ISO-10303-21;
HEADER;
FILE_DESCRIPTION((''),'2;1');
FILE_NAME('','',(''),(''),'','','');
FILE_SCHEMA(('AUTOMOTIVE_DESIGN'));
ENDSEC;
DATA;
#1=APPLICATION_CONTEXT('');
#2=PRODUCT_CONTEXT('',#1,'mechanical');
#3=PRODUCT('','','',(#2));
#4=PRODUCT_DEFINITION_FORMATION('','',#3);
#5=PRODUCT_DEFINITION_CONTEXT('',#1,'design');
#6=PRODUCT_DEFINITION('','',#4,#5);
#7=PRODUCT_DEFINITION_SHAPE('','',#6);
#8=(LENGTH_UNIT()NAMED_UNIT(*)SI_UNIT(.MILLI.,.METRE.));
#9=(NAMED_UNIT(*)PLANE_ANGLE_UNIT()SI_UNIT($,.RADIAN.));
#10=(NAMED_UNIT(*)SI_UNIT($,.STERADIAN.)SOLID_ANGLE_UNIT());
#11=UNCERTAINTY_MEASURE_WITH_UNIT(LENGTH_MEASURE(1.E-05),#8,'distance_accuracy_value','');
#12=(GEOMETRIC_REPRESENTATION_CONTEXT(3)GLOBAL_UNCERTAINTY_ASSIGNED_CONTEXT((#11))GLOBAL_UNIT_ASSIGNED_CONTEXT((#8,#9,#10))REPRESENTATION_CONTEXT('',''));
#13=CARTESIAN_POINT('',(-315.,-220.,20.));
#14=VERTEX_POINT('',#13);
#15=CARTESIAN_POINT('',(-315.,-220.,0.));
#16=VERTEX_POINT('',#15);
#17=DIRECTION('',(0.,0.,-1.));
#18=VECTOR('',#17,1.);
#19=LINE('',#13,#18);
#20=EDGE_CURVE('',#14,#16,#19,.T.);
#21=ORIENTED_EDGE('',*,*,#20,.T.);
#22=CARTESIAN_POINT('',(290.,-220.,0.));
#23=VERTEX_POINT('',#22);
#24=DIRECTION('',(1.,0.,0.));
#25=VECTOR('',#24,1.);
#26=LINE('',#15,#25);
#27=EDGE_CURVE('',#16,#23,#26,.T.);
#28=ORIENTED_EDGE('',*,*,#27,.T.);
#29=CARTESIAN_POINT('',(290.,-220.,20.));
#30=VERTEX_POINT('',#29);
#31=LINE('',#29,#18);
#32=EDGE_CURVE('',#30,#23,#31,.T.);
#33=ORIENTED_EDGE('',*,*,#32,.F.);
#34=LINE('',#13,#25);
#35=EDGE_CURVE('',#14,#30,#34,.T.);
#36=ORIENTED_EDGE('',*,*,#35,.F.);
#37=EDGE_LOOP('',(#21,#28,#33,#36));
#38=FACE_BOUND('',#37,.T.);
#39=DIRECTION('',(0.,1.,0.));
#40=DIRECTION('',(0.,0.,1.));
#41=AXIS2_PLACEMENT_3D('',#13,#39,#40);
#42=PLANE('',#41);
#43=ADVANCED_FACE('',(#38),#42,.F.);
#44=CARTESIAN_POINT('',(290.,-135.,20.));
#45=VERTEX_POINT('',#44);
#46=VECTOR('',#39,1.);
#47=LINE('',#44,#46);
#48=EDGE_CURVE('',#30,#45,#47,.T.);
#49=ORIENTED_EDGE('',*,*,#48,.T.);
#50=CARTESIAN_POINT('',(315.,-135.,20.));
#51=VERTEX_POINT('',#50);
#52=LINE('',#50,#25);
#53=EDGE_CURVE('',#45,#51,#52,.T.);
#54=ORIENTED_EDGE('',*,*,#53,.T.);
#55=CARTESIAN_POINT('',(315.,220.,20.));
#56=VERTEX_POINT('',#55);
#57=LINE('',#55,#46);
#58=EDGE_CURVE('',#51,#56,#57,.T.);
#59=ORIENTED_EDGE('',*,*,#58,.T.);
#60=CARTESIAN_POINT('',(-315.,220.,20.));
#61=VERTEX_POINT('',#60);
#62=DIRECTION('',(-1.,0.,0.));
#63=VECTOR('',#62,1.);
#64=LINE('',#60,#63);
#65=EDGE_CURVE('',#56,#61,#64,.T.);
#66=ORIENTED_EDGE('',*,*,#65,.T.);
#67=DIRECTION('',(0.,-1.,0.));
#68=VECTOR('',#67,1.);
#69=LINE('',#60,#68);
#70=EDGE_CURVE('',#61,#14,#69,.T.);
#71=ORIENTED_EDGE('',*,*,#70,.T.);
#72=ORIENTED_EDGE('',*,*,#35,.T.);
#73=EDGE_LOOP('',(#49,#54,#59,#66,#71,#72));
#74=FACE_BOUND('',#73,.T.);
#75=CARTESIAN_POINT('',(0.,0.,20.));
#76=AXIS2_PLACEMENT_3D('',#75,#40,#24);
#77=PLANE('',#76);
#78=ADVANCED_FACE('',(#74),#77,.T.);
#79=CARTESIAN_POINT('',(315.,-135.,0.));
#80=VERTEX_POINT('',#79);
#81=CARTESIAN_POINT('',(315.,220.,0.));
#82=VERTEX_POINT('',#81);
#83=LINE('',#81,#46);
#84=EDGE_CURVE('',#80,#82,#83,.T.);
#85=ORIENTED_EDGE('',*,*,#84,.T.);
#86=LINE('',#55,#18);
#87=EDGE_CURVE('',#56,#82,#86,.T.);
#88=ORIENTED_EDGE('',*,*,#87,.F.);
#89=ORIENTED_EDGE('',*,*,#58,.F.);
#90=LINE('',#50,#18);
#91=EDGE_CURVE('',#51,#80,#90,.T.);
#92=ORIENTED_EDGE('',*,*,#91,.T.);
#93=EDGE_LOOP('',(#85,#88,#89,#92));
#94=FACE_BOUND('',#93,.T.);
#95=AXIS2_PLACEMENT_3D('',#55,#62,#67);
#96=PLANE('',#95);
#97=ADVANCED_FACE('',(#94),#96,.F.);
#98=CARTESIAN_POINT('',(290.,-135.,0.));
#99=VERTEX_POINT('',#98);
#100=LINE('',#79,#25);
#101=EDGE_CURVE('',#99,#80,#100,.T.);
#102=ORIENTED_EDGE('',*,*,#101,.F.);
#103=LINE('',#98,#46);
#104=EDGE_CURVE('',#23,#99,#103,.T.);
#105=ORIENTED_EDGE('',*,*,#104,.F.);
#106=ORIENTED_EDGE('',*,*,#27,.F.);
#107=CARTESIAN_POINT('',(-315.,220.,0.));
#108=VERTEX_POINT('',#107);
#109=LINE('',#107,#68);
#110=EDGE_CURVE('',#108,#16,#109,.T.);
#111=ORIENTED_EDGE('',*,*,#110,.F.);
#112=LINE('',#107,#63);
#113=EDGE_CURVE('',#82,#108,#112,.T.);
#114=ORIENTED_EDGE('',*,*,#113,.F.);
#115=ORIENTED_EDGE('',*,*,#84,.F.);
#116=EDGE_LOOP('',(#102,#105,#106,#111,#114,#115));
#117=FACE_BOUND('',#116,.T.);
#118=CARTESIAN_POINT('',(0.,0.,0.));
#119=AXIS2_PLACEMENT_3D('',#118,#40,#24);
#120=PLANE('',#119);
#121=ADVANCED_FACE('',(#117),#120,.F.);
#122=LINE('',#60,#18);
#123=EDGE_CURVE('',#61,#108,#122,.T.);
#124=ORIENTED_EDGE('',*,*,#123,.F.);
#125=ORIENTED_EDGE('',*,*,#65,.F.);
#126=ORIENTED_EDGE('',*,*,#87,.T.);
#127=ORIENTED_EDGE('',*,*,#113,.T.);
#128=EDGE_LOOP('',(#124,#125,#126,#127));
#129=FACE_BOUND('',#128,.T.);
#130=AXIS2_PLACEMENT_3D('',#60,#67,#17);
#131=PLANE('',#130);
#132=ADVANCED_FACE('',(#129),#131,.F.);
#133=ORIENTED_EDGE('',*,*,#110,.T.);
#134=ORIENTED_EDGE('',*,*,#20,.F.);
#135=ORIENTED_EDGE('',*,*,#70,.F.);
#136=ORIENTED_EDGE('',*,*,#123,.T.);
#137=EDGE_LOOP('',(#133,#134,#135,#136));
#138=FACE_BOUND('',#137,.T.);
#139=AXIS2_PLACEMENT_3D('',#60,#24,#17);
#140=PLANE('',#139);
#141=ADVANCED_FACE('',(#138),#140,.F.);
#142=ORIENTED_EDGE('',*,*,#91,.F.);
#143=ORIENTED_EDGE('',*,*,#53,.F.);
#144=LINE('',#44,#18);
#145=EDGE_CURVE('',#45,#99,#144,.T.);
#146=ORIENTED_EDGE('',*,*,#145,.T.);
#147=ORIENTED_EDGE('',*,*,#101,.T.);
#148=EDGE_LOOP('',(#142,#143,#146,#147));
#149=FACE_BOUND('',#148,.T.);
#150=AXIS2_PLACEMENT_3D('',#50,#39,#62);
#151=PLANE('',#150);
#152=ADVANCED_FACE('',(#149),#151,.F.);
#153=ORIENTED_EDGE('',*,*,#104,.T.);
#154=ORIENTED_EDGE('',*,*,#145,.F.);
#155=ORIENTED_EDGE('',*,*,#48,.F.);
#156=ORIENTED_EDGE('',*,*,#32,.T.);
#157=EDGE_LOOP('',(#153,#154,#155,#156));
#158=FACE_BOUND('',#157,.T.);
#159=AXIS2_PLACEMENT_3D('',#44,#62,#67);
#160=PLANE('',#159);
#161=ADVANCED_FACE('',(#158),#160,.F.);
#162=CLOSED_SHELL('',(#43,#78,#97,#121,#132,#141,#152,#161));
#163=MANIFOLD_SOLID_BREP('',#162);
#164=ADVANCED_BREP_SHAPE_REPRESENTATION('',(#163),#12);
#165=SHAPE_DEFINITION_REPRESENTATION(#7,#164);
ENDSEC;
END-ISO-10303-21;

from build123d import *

# Parameters (mm, degrees)
BOSS_EXTRUDE1_DEPTH = 20


with BuildPart() as part:
    # Sketch1 → Boss-Extrude1 (new body)
    with BuildSketch(Plane.XY):
        Polygon((315, -135), (290, -135), (290, -220), (-315, -220), (-315, 220), (315, 220), align=None)
    extrude(amount=BOSS_EXTRUDE1_DEPTH)


solid = part.part
